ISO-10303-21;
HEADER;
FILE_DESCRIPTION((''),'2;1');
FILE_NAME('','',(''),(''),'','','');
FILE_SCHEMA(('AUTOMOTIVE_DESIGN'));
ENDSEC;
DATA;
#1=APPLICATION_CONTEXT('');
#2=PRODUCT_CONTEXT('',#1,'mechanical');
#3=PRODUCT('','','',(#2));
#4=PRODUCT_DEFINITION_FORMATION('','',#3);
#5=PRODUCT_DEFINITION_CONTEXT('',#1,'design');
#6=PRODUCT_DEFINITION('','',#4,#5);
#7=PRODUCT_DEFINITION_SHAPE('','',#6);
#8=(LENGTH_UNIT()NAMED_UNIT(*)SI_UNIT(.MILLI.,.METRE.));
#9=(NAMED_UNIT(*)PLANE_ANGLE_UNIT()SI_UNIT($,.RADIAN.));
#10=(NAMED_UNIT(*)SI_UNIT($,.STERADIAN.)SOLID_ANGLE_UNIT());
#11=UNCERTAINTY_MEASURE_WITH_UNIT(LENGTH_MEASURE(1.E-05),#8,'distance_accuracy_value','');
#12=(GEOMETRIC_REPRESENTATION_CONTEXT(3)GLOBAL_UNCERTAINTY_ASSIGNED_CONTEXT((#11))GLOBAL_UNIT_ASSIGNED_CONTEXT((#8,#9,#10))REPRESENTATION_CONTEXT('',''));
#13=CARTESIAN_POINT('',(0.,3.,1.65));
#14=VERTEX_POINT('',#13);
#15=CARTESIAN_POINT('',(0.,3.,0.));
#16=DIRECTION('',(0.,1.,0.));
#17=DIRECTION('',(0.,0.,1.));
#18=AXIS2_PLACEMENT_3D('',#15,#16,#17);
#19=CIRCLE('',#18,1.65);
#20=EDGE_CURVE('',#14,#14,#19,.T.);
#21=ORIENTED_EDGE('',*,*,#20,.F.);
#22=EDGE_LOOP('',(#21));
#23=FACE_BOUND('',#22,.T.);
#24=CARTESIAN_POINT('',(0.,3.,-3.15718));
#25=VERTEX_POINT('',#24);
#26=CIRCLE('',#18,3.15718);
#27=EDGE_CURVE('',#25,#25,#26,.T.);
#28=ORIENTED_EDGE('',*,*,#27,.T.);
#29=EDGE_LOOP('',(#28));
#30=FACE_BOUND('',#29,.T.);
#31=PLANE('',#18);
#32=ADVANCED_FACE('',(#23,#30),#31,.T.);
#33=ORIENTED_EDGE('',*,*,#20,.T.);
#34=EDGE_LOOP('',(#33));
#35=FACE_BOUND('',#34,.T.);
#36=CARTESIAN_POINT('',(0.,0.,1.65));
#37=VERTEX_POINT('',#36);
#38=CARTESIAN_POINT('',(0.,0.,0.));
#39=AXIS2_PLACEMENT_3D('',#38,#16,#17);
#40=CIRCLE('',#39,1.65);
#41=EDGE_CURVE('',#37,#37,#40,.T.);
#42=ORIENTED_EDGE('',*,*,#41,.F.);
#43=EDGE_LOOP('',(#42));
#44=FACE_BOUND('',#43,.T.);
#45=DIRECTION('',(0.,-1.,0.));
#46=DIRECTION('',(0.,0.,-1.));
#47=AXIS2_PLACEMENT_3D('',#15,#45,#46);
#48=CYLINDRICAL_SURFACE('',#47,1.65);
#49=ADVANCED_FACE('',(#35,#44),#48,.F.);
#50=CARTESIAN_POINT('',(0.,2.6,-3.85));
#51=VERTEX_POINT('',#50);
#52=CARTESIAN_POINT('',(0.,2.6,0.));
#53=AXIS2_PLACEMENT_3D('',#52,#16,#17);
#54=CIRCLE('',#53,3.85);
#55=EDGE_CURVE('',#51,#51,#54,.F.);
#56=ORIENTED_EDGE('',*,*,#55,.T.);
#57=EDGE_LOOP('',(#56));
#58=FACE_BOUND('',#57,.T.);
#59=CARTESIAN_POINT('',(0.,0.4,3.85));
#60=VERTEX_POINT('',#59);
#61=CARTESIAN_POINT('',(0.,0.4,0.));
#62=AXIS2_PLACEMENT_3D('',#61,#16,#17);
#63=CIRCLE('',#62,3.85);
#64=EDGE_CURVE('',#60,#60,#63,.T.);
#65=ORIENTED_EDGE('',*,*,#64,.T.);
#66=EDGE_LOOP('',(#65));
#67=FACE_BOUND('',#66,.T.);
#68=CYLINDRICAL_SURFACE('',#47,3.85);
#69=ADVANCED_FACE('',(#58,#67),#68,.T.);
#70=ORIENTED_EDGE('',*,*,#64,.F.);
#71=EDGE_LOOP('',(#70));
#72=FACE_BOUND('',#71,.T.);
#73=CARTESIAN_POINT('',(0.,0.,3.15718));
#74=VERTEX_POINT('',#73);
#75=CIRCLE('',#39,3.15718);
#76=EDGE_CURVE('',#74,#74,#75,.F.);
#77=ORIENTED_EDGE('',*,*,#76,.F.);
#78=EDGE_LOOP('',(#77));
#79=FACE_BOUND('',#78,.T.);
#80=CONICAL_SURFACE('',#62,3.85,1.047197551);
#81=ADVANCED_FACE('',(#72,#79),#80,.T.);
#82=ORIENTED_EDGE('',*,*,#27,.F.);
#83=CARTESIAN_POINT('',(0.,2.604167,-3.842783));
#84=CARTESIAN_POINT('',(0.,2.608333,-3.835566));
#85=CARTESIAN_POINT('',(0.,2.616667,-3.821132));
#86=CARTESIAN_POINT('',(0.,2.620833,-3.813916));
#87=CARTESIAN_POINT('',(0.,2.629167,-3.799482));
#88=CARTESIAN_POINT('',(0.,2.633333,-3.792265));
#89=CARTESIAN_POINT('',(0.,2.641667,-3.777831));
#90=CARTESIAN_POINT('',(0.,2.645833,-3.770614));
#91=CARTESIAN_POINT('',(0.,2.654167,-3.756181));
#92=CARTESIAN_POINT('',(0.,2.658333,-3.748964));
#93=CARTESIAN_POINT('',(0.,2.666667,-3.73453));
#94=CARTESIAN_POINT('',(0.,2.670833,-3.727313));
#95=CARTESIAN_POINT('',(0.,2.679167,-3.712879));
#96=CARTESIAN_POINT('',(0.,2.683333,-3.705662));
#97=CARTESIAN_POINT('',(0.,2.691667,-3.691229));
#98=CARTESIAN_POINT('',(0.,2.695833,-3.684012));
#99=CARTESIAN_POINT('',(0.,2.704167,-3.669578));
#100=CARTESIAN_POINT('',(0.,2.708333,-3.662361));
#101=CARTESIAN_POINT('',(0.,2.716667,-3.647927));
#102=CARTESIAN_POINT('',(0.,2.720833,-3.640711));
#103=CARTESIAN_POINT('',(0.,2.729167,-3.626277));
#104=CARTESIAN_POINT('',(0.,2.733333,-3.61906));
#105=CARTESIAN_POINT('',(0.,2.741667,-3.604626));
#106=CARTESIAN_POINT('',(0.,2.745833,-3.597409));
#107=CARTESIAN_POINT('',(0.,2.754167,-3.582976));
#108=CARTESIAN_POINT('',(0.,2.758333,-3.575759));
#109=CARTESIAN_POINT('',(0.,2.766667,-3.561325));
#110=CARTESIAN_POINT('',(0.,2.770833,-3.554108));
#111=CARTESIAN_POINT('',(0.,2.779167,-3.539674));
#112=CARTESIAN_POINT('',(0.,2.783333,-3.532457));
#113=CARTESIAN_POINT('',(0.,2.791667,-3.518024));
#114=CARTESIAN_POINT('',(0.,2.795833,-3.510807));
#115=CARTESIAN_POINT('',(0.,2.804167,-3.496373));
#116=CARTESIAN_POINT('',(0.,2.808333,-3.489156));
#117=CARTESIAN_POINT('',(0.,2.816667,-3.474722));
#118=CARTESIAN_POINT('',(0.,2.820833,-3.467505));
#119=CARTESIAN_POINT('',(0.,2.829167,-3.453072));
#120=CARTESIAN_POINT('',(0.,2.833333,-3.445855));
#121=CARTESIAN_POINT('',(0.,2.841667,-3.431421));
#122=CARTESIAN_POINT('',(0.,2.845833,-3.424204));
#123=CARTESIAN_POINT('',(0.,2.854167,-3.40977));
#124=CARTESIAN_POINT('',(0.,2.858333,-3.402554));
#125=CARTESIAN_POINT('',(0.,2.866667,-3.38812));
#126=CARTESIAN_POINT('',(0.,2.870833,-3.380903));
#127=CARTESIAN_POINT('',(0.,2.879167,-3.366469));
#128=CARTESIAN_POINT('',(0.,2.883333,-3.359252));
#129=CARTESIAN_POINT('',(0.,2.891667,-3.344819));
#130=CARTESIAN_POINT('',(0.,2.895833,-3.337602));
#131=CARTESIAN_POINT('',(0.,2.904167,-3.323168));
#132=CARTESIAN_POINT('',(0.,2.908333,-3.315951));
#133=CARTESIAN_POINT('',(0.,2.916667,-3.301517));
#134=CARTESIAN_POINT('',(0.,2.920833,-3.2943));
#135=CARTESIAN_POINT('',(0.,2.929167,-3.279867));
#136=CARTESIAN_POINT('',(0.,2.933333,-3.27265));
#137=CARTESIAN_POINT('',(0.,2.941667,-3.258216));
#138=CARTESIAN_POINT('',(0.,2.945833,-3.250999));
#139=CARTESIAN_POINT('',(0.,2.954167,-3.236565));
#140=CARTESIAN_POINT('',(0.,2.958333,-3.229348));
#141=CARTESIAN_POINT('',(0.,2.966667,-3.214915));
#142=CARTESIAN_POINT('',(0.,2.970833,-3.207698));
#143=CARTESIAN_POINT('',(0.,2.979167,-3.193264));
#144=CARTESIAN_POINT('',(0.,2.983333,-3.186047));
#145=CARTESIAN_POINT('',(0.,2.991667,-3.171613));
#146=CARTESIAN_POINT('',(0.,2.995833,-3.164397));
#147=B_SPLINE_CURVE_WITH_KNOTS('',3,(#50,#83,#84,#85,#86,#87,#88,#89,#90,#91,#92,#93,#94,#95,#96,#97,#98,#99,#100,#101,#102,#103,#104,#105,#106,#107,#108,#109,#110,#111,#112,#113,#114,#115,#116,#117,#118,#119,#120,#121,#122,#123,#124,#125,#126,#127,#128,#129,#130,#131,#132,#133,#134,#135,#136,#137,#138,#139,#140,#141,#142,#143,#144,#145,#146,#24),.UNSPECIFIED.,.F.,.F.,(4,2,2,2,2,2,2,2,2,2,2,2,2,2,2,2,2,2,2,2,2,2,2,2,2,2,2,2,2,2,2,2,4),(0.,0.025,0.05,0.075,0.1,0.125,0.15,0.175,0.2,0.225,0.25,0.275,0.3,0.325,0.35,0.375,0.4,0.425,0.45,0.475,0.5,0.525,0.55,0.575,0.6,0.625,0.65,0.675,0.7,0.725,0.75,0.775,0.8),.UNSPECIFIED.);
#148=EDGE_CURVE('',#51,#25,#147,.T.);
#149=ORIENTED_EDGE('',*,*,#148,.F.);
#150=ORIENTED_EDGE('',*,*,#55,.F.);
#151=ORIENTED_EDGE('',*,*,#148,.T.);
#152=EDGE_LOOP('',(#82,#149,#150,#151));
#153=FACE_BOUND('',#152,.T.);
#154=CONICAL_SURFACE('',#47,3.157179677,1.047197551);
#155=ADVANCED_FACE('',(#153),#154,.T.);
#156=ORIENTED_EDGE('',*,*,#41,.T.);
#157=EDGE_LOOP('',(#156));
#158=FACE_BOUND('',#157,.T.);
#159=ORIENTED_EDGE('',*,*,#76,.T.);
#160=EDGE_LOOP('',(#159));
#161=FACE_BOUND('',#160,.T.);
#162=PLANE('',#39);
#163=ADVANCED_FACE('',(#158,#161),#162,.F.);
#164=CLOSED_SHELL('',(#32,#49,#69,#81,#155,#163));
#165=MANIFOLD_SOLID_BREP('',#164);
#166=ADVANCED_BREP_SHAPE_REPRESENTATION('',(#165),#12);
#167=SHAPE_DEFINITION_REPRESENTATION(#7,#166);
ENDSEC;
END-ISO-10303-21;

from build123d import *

# Parameters (mm, degrees)
SKETCH_1_R       = 3.85
SKETCH_1_R_2     = 1.65
EXTRUDE_1_DEPTH  = 3
CHAMFER_8_SIZE   = 0.4
CHAMFER_8_SIZE2  = 0.692820323
CHAMFER_10_SIZE  = 0.4
CHAMFER_10_SIZE2 = 0.692820323


with BuildPart() as part:
    # Эскиз1 → Бобышка-Вытянуть1 (new body)
    with BuildSketch(Plane(origin=(0, 0, 0), x_dir=(1, 0, 0), z_dir=(0, 1, 0))):
        with Locations(Location((0, 0, 0), (0, 0, 270))):
            Circle(SKETCH_1_R)
        with Locations(Location((0, 0, 0), (0, 0, 270))):
            Circle(SKETCH_1_R_2, mode=Mode.SUBTRACT)
    extrude(amount=EXTRUDE_1_DEPTH)

    # Фаска8
    chamfer_8_edges = [part.edges().sort_by_distance(p)[0] for p in [
        (0, 3, -3.85),
    ]]
    chamfer_8_side = [part.faces().sort_by_distance(p)[0] for p in [
        (0, 1.5, -3.85),
    ]]
    chamfer(chamfer_8_edges, length=CHAMFER_8_SIZE, length2=CHAMFER_8_SIZE2, reference=chamfer_8_side[0])

    # Фаска10
    chamfer_10_edges = [part.edges().sort_by_distance(p)[0] for p in [
        (0, 0, -3.85),
    ]]
    chamfer_10_side = [part.faces().sort_by_distance(p)[0] for p in [
        (0, 1.3, -3.85),
    ]]
    chamfer(chamfer_10_edges, length=CHAMFER_10_SIZE, length2=CHAMFER_10_SIZE2, reference=chamfer_10_side[0])


solid = part.part
